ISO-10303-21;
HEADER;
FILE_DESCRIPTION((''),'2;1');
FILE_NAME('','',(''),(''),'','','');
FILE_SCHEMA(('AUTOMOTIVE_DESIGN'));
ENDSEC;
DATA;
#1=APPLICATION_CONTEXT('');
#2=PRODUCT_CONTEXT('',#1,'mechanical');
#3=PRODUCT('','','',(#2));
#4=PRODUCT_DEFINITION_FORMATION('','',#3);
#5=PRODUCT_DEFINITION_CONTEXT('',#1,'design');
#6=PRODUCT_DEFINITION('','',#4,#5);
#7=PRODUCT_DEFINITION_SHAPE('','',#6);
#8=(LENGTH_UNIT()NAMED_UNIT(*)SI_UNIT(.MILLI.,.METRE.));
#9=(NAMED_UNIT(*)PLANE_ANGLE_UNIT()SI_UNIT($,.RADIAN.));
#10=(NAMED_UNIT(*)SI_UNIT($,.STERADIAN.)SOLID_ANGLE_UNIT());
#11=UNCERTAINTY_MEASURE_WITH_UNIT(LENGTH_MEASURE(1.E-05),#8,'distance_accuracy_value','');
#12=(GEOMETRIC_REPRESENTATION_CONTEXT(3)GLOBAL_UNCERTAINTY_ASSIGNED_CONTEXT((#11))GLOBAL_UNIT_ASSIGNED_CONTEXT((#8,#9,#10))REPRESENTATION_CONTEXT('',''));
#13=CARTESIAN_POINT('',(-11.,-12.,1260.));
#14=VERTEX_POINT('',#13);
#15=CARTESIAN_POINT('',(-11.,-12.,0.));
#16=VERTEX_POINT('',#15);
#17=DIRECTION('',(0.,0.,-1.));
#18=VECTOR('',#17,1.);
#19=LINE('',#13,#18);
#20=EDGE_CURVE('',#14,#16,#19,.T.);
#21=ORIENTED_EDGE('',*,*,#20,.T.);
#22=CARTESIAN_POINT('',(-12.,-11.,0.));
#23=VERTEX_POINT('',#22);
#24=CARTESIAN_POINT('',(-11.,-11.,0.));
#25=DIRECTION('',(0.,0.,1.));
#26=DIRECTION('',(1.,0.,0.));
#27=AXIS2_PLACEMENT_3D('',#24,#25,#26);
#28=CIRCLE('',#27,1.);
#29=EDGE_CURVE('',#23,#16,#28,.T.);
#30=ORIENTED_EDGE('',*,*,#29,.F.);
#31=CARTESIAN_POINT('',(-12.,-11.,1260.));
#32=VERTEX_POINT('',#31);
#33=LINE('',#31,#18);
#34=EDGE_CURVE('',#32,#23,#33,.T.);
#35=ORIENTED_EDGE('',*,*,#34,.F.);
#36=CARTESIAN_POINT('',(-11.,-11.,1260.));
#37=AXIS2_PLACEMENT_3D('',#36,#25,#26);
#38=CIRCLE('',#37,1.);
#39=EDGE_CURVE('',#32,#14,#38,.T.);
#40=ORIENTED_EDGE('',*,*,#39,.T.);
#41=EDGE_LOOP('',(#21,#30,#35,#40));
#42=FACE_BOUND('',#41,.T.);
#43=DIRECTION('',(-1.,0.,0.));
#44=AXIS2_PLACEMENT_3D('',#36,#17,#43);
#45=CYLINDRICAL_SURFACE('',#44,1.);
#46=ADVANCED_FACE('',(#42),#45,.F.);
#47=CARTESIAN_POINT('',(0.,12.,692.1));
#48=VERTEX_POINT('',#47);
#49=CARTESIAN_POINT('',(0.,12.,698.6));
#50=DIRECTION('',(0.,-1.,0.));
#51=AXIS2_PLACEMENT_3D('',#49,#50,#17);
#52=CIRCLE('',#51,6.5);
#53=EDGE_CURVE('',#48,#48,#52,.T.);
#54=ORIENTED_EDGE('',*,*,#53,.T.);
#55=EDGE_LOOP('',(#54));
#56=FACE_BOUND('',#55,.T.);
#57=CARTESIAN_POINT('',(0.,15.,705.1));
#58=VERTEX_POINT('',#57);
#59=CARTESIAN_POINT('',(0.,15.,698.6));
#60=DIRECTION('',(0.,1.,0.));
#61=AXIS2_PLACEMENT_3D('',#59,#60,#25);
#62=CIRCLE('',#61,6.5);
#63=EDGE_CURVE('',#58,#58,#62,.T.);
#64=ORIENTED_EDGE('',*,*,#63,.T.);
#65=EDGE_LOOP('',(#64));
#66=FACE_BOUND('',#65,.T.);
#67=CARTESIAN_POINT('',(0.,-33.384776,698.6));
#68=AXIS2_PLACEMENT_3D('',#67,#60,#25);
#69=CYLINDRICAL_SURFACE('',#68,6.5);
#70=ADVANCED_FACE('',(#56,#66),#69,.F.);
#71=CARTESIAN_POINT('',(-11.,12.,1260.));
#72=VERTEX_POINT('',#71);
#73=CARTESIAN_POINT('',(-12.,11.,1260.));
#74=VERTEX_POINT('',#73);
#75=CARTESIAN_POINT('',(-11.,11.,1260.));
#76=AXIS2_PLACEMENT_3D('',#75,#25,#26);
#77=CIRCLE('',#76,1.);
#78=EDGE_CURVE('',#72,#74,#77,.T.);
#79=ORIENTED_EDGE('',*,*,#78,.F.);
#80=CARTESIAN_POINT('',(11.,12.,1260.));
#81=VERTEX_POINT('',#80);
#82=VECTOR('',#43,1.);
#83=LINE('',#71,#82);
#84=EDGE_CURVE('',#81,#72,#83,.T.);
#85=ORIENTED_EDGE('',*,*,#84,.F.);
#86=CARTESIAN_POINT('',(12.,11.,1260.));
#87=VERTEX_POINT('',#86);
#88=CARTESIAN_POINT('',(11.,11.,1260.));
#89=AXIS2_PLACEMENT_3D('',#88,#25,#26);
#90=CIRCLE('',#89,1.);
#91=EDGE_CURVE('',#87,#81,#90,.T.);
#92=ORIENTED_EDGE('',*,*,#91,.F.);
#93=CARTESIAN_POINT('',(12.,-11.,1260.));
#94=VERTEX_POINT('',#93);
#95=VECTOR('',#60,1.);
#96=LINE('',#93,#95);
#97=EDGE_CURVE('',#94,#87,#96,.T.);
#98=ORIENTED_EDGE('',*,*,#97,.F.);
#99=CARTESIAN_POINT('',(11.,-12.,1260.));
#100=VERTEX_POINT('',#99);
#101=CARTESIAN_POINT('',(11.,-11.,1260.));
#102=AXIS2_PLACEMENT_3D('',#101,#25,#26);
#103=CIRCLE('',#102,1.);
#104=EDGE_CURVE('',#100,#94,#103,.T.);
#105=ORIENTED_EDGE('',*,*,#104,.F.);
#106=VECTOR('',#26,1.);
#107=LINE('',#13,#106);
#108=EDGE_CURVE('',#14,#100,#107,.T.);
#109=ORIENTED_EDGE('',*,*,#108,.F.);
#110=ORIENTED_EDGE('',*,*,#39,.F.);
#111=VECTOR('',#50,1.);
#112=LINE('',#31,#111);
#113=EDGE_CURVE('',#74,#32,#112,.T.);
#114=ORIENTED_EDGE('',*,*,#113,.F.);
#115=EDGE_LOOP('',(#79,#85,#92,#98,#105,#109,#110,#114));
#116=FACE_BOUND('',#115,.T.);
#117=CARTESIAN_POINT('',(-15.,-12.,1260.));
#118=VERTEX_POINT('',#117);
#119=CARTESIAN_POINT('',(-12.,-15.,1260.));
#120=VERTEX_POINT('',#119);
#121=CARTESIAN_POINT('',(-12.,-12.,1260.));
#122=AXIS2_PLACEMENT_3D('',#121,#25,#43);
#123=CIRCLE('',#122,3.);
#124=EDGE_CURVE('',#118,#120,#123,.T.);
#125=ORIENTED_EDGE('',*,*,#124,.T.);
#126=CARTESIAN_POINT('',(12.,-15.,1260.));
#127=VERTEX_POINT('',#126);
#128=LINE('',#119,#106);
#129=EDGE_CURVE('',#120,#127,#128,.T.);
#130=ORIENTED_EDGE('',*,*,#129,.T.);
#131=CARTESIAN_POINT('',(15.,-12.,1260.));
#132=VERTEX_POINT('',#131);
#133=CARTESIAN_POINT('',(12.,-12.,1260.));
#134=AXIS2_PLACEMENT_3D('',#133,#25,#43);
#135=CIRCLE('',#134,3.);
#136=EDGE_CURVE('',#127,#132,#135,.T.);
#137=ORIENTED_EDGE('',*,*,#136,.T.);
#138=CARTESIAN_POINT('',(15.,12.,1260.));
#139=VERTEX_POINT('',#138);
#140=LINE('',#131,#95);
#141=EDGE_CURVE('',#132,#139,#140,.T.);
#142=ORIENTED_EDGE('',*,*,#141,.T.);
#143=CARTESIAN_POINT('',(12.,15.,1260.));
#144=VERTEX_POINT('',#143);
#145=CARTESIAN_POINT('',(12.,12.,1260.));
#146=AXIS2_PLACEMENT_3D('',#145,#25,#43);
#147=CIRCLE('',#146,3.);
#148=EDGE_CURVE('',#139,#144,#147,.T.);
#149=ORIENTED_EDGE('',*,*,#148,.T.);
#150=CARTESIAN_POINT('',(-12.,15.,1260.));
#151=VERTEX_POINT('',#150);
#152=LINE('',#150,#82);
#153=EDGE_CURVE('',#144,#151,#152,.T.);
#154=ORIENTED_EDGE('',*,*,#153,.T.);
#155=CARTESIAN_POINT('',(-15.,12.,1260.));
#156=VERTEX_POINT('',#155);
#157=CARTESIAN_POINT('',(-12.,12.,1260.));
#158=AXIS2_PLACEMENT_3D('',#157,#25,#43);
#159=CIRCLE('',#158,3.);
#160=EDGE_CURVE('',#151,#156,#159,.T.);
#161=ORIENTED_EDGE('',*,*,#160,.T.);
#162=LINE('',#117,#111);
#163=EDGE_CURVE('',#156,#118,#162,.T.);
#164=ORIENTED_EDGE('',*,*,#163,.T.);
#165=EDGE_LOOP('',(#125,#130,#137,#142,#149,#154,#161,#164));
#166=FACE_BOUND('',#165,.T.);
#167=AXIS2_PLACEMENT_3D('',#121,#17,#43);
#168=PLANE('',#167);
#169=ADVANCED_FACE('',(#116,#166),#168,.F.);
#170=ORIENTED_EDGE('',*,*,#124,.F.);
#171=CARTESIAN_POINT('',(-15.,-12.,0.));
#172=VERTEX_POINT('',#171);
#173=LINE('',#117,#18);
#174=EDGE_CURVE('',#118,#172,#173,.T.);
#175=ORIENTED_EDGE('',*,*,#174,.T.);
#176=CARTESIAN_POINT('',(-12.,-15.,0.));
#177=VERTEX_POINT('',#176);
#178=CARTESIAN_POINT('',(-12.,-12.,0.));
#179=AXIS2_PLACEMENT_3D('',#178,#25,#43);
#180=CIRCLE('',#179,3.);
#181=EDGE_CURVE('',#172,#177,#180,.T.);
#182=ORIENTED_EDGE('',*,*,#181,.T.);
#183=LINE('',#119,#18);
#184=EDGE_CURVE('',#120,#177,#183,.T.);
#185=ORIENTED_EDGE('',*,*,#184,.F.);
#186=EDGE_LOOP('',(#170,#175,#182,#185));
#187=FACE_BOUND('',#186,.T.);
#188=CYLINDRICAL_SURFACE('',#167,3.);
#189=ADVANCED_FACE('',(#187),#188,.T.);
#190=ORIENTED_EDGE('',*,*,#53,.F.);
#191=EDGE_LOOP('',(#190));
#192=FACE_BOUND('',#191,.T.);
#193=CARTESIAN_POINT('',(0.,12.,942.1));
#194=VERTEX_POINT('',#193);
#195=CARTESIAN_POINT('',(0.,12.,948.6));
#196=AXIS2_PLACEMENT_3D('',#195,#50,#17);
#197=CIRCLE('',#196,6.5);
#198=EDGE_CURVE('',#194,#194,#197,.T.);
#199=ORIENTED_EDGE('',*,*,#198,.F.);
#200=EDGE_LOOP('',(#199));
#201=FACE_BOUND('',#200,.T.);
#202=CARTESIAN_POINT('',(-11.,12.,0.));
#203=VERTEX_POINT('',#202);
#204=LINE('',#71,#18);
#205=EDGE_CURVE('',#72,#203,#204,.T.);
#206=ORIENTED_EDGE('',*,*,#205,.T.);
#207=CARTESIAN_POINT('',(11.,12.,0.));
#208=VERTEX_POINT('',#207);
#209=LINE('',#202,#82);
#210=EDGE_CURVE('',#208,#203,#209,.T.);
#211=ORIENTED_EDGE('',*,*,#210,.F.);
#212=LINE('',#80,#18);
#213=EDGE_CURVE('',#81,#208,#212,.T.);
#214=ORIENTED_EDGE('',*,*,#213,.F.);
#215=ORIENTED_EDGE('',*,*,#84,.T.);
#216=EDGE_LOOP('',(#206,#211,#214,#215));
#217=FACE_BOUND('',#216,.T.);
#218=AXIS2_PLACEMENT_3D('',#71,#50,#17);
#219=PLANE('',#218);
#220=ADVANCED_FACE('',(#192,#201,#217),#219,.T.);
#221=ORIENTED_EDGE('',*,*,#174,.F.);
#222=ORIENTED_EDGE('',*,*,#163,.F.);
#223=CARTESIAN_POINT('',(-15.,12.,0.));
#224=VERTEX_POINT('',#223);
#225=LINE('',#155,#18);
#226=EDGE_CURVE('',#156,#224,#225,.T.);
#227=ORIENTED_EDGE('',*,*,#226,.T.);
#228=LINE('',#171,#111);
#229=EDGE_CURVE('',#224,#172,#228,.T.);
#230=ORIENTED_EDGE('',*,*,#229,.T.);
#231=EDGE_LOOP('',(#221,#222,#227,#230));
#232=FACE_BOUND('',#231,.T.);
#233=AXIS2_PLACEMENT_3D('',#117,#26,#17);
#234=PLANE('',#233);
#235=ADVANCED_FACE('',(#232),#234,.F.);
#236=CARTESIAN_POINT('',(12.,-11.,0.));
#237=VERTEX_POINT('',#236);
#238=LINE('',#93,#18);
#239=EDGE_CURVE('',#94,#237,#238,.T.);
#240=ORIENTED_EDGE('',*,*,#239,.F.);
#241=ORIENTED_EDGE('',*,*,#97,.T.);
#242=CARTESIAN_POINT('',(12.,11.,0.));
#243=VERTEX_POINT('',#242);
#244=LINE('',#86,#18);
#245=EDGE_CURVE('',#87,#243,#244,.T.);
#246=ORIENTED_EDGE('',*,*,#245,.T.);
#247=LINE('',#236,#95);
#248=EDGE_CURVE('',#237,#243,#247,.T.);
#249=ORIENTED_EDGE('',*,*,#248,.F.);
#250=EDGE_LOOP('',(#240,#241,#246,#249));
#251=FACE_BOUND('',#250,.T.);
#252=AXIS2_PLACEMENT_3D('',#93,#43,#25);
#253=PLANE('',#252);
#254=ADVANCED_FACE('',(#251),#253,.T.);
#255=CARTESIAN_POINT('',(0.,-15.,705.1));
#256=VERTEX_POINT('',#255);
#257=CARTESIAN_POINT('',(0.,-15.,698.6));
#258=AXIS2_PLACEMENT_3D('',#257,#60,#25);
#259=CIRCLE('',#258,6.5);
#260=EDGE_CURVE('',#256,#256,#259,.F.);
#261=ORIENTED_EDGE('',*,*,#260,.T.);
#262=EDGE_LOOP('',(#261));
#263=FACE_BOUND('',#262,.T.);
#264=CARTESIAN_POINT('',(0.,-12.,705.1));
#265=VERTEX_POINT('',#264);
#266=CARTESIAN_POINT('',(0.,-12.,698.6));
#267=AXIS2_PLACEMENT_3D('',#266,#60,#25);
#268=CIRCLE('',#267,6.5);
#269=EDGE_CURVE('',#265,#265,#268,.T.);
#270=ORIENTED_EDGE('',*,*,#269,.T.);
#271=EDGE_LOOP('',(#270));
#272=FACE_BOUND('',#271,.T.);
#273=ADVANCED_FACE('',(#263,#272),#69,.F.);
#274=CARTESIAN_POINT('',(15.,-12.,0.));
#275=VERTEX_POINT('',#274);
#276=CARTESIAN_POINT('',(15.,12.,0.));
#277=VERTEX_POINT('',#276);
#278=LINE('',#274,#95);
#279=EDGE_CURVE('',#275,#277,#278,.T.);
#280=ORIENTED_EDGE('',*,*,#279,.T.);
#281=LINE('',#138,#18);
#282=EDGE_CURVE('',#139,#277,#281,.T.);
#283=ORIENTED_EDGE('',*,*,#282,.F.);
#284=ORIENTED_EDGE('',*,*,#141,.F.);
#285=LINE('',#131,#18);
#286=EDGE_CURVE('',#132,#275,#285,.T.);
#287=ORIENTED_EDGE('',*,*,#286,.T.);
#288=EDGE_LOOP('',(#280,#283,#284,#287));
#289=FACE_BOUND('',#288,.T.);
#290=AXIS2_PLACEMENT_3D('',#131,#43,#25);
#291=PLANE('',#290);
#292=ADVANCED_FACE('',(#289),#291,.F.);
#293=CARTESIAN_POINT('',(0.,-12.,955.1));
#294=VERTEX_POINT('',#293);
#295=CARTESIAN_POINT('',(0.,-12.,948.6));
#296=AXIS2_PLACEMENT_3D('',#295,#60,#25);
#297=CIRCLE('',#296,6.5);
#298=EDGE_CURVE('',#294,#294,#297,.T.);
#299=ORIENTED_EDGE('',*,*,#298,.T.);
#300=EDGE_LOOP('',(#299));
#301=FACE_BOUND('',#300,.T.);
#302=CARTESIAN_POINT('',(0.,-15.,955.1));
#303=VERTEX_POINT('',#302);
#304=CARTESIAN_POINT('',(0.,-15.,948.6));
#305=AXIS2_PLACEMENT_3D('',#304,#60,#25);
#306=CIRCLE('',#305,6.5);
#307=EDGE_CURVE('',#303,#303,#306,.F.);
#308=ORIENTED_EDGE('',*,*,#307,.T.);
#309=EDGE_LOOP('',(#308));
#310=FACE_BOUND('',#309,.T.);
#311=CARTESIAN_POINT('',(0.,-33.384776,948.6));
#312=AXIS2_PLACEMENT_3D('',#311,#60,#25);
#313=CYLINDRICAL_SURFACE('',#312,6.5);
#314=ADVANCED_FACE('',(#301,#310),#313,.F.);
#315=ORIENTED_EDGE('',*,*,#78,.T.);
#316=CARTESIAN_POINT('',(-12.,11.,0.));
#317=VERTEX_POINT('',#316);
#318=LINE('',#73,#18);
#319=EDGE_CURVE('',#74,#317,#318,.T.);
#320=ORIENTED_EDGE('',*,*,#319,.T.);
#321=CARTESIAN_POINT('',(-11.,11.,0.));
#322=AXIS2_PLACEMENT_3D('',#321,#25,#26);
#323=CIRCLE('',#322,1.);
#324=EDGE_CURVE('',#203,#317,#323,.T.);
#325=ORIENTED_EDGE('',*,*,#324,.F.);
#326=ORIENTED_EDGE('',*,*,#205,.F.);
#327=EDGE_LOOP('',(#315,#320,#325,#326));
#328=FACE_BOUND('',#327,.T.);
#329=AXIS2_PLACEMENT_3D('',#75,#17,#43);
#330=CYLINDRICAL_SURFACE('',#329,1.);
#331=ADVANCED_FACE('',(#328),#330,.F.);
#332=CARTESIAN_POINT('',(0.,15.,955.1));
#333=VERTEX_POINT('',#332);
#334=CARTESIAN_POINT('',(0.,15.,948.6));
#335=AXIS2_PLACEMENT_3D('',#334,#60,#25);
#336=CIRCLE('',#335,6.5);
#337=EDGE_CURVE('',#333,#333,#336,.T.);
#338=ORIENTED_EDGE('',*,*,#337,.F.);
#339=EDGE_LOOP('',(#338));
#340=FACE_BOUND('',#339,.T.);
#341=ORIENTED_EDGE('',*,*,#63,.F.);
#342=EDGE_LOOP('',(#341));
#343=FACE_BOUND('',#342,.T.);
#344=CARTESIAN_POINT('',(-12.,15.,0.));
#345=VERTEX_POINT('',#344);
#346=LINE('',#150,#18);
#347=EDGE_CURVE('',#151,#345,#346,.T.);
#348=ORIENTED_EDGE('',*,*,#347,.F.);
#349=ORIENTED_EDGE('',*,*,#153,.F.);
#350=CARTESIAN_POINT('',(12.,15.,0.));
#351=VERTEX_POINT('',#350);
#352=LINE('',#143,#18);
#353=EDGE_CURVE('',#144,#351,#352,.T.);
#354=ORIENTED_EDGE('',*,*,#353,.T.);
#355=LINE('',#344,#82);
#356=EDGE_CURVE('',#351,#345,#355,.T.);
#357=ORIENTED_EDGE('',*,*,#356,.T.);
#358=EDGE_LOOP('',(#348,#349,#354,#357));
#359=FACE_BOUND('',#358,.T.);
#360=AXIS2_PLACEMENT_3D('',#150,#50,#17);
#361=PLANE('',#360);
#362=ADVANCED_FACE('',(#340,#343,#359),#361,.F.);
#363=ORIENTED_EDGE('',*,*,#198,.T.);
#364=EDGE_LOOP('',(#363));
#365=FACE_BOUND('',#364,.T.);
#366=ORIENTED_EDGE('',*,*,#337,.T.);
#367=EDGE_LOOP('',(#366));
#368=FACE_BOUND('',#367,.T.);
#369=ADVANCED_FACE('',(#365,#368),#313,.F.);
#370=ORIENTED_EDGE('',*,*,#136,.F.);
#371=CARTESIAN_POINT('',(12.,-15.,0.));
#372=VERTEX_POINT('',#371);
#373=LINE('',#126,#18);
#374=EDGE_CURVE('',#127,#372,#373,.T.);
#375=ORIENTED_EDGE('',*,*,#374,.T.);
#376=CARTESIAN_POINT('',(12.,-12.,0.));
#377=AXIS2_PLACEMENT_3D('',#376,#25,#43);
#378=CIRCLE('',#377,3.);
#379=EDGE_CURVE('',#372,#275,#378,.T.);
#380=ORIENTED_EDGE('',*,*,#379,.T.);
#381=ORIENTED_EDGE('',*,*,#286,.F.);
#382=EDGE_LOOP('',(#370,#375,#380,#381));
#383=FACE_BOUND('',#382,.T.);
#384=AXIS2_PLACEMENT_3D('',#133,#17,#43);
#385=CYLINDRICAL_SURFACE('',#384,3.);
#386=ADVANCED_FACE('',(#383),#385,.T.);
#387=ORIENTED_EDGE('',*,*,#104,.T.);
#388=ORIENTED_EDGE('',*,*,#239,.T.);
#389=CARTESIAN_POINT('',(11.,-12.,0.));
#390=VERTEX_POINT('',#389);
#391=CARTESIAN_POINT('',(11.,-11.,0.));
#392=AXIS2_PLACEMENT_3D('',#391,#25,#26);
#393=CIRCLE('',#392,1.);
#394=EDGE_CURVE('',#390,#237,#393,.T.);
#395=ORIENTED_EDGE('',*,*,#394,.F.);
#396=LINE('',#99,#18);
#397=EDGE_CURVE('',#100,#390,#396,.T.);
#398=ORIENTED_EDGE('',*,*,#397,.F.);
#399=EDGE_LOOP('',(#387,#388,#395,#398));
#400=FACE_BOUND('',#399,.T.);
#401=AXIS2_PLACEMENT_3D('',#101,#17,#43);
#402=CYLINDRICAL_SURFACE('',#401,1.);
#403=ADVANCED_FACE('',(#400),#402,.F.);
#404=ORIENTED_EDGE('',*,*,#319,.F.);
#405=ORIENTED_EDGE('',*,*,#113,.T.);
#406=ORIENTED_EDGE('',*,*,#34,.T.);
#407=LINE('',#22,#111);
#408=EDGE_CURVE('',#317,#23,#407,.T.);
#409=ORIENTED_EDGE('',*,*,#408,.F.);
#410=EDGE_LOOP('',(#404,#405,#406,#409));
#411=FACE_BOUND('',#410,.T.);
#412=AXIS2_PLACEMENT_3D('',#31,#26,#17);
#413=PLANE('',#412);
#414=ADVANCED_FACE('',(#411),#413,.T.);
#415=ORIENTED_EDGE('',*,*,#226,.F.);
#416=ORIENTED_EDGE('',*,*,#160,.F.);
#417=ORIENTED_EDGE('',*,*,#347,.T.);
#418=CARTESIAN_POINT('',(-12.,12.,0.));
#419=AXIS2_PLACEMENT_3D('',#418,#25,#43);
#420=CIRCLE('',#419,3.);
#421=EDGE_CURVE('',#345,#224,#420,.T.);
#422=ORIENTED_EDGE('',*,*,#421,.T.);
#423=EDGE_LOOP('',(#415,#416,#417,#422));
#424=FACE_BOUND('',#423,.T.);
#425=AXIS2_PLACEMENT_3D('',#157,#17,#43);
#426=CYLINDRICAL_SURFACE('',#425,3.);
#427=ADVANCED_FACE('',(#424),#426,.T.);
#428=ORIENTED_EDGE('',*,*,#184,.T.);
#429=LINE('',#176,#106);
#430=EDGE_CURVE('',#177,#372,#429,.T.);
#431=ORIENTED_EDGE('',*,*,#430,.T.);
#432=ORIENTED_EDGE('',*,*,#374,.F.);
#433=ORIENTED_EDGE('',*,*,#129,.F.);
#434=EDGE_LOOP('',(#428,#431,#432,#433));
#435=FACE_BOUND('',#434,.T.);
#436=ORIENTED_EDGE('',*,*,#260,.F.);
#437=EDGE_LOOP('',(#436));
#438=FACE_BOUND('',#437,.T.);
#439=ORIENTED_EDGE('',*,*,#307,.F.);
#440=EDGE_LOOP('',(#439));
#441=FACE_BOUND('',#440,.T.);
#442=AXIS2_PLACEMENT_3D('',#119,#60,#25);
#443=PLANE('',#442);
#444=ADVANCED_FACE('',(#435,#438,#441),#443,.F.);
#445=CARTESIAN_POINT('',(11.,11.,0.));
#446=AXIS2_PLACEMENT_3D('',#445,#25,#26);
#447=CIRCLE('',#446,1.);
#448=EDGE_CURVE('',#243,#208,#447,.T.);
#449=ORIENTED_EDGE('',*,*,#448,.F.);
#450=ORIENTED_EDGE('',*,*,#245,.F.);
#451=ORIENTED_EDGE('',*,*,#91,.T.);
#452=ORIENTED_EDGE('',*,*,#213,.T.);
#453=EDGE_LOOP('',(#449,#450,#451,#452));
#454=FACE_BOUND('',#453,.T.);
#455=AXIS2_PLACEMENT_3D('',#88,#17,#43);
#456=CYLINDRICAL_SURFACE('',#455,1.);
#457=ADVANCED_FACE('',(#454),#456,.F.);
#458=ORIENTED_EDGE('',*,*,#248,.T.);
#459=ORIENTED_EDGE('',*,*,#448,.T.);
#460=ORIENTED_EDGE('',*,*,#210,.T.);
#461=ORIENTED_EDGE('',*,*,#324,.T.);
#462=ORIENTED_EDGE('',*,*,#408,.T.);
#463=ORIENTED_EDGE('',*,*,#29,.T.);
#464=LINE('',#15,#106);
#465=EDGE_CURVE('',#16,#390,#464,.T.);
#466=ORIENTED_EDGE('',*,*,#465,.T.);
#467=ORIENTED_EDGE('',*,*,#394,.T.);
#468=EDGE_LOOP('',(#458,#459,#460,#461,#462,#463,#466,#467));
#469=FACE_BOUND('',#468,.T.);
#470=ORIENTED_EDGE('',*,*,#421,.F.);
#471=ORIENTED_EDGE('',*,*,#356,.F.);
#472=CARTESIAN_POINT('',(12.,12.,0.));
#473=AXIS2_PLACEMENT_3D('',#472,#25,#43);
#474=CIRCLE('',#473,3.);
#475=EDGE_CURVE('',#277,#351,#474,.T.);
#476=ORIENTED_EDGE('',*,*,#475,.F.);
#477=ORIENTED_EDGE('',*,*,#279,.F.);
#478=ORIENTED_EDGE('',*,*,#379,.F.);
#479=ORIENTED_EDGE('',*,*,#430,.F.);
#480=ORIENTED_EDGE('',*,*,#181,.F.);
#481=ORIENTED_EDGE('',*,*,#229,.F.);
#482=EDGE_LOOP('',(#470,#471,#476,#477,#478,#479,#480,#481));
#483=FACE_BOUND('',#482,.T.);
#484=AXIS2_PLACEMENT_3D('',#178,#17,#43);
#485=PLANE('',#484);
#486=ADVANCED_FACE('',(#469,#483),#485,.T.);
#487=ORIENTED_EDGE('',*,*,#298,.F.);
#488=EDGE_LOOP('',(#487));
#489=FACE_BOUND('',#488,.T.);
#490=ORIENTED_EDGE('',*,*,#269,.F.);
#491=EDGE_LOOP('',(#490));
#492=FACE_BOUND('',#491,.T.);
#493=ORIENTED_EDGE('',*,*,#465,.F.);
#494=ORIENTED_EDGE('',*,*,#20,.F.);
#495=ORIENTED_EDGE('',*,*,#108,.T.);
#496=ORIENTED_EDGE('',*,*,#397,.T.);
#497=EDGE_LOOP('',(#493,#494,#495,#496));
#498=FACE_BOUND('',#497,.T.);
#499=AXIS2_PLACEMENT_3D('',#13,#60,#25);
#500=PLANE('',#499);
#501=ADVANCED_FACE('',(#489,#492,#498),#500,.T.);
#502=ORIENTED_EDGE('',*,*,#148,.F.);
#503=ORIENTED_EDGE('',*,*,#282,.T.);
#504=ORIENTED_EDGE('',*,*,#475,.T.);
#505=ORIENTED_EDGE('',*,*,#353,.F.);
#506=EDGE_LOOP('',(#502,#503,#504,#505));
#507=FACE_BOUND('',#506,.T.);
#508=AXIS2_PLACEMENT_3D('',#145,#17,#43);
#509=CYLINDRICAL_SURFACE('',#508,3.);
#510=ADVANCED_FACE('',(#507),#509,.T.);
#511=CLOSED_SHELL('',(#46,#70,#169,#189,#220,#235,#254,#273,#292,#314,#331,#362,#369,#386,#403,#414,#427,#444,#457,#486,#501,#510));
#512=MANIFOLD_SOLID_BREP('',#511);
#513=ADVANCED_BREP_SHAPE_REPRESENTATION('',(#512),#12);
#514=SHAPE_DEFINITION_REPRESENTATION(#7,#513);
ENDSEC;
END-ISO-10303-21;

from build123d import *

# Parameters (mm, degrees)
DODANIE_WYCI_GNI_CIE1_DEPTH = 1260
SZKIC6_R                    = 6.5
WYTNIJ_WYCI_GNI_CIE5_DEPTH  = 30


with BuildPart() as part:
    # Szkic1 → Dodanie-wyciągnięcie1 (new body)
    with BuildSketch(Plane.XY):
        with BuildLine():
            Line((-12, -15), (12, -15))
            ThreePointArc((12, -15), (14.121320344, -14.121320344), (15, -12))
            Line((15, -12), (15, 12))
            ThreePointArc((15, 12), (14.121320344, 14.121320344), (12, 15))
            Line((12, 15), (-12, 15))
            ThreePointArc((-12, 15), (-14.121320344, 14.121320344), (-15, 12))
            Line((-15, 12), (-15, -12))
            ThreePointArc((-15, -12), (-14.121320344, -14.121320344), (-12, -15))
        make_face()
        with BuildLine():
            Line((-11, -12), (11, -12))
            ThreePointArc((11, -12), (11.707106781, -11.707106781), (12, -11))
            Line((12, -11), (12, 11))
            ThreePointArc((12, 11), (11.707106781, 11.707106781), (11, 12))
            Line((11, 12), (-11, 12))
            ThreePointArc((-11, 12), (-11.707106781, 11.707106781), (-12, 11))
            Line((-12, 11), (-12, -11))
            ThreePointArc((-12, -11), (-11.707106781, -11.707106781), (-11, -12))
        make_face(mode=Mode.SUBTRACT)
    extrude(amount=DODANIE_WYCI_GNI_CIE1_DEPTH)

    # Szkic6 → Wytnij-wyciągnięcie5 (cut)
    with BuildSketch(Plane(origin=(0, 15, 0), x_dir=(1, 0, 0), z_dir=(0, 1, 0))):
        with Locations((0, -948.6)):
            Circle(SZKIC6_R)
        with Locations((0, -698.6)):
            Circle(SZKIC6_R)
    extrude(amount=-WYTNIJ_WYCI_GNI_CIE5_DEPTH, mode=Mode.SUBTRACT)


solid = part.part
